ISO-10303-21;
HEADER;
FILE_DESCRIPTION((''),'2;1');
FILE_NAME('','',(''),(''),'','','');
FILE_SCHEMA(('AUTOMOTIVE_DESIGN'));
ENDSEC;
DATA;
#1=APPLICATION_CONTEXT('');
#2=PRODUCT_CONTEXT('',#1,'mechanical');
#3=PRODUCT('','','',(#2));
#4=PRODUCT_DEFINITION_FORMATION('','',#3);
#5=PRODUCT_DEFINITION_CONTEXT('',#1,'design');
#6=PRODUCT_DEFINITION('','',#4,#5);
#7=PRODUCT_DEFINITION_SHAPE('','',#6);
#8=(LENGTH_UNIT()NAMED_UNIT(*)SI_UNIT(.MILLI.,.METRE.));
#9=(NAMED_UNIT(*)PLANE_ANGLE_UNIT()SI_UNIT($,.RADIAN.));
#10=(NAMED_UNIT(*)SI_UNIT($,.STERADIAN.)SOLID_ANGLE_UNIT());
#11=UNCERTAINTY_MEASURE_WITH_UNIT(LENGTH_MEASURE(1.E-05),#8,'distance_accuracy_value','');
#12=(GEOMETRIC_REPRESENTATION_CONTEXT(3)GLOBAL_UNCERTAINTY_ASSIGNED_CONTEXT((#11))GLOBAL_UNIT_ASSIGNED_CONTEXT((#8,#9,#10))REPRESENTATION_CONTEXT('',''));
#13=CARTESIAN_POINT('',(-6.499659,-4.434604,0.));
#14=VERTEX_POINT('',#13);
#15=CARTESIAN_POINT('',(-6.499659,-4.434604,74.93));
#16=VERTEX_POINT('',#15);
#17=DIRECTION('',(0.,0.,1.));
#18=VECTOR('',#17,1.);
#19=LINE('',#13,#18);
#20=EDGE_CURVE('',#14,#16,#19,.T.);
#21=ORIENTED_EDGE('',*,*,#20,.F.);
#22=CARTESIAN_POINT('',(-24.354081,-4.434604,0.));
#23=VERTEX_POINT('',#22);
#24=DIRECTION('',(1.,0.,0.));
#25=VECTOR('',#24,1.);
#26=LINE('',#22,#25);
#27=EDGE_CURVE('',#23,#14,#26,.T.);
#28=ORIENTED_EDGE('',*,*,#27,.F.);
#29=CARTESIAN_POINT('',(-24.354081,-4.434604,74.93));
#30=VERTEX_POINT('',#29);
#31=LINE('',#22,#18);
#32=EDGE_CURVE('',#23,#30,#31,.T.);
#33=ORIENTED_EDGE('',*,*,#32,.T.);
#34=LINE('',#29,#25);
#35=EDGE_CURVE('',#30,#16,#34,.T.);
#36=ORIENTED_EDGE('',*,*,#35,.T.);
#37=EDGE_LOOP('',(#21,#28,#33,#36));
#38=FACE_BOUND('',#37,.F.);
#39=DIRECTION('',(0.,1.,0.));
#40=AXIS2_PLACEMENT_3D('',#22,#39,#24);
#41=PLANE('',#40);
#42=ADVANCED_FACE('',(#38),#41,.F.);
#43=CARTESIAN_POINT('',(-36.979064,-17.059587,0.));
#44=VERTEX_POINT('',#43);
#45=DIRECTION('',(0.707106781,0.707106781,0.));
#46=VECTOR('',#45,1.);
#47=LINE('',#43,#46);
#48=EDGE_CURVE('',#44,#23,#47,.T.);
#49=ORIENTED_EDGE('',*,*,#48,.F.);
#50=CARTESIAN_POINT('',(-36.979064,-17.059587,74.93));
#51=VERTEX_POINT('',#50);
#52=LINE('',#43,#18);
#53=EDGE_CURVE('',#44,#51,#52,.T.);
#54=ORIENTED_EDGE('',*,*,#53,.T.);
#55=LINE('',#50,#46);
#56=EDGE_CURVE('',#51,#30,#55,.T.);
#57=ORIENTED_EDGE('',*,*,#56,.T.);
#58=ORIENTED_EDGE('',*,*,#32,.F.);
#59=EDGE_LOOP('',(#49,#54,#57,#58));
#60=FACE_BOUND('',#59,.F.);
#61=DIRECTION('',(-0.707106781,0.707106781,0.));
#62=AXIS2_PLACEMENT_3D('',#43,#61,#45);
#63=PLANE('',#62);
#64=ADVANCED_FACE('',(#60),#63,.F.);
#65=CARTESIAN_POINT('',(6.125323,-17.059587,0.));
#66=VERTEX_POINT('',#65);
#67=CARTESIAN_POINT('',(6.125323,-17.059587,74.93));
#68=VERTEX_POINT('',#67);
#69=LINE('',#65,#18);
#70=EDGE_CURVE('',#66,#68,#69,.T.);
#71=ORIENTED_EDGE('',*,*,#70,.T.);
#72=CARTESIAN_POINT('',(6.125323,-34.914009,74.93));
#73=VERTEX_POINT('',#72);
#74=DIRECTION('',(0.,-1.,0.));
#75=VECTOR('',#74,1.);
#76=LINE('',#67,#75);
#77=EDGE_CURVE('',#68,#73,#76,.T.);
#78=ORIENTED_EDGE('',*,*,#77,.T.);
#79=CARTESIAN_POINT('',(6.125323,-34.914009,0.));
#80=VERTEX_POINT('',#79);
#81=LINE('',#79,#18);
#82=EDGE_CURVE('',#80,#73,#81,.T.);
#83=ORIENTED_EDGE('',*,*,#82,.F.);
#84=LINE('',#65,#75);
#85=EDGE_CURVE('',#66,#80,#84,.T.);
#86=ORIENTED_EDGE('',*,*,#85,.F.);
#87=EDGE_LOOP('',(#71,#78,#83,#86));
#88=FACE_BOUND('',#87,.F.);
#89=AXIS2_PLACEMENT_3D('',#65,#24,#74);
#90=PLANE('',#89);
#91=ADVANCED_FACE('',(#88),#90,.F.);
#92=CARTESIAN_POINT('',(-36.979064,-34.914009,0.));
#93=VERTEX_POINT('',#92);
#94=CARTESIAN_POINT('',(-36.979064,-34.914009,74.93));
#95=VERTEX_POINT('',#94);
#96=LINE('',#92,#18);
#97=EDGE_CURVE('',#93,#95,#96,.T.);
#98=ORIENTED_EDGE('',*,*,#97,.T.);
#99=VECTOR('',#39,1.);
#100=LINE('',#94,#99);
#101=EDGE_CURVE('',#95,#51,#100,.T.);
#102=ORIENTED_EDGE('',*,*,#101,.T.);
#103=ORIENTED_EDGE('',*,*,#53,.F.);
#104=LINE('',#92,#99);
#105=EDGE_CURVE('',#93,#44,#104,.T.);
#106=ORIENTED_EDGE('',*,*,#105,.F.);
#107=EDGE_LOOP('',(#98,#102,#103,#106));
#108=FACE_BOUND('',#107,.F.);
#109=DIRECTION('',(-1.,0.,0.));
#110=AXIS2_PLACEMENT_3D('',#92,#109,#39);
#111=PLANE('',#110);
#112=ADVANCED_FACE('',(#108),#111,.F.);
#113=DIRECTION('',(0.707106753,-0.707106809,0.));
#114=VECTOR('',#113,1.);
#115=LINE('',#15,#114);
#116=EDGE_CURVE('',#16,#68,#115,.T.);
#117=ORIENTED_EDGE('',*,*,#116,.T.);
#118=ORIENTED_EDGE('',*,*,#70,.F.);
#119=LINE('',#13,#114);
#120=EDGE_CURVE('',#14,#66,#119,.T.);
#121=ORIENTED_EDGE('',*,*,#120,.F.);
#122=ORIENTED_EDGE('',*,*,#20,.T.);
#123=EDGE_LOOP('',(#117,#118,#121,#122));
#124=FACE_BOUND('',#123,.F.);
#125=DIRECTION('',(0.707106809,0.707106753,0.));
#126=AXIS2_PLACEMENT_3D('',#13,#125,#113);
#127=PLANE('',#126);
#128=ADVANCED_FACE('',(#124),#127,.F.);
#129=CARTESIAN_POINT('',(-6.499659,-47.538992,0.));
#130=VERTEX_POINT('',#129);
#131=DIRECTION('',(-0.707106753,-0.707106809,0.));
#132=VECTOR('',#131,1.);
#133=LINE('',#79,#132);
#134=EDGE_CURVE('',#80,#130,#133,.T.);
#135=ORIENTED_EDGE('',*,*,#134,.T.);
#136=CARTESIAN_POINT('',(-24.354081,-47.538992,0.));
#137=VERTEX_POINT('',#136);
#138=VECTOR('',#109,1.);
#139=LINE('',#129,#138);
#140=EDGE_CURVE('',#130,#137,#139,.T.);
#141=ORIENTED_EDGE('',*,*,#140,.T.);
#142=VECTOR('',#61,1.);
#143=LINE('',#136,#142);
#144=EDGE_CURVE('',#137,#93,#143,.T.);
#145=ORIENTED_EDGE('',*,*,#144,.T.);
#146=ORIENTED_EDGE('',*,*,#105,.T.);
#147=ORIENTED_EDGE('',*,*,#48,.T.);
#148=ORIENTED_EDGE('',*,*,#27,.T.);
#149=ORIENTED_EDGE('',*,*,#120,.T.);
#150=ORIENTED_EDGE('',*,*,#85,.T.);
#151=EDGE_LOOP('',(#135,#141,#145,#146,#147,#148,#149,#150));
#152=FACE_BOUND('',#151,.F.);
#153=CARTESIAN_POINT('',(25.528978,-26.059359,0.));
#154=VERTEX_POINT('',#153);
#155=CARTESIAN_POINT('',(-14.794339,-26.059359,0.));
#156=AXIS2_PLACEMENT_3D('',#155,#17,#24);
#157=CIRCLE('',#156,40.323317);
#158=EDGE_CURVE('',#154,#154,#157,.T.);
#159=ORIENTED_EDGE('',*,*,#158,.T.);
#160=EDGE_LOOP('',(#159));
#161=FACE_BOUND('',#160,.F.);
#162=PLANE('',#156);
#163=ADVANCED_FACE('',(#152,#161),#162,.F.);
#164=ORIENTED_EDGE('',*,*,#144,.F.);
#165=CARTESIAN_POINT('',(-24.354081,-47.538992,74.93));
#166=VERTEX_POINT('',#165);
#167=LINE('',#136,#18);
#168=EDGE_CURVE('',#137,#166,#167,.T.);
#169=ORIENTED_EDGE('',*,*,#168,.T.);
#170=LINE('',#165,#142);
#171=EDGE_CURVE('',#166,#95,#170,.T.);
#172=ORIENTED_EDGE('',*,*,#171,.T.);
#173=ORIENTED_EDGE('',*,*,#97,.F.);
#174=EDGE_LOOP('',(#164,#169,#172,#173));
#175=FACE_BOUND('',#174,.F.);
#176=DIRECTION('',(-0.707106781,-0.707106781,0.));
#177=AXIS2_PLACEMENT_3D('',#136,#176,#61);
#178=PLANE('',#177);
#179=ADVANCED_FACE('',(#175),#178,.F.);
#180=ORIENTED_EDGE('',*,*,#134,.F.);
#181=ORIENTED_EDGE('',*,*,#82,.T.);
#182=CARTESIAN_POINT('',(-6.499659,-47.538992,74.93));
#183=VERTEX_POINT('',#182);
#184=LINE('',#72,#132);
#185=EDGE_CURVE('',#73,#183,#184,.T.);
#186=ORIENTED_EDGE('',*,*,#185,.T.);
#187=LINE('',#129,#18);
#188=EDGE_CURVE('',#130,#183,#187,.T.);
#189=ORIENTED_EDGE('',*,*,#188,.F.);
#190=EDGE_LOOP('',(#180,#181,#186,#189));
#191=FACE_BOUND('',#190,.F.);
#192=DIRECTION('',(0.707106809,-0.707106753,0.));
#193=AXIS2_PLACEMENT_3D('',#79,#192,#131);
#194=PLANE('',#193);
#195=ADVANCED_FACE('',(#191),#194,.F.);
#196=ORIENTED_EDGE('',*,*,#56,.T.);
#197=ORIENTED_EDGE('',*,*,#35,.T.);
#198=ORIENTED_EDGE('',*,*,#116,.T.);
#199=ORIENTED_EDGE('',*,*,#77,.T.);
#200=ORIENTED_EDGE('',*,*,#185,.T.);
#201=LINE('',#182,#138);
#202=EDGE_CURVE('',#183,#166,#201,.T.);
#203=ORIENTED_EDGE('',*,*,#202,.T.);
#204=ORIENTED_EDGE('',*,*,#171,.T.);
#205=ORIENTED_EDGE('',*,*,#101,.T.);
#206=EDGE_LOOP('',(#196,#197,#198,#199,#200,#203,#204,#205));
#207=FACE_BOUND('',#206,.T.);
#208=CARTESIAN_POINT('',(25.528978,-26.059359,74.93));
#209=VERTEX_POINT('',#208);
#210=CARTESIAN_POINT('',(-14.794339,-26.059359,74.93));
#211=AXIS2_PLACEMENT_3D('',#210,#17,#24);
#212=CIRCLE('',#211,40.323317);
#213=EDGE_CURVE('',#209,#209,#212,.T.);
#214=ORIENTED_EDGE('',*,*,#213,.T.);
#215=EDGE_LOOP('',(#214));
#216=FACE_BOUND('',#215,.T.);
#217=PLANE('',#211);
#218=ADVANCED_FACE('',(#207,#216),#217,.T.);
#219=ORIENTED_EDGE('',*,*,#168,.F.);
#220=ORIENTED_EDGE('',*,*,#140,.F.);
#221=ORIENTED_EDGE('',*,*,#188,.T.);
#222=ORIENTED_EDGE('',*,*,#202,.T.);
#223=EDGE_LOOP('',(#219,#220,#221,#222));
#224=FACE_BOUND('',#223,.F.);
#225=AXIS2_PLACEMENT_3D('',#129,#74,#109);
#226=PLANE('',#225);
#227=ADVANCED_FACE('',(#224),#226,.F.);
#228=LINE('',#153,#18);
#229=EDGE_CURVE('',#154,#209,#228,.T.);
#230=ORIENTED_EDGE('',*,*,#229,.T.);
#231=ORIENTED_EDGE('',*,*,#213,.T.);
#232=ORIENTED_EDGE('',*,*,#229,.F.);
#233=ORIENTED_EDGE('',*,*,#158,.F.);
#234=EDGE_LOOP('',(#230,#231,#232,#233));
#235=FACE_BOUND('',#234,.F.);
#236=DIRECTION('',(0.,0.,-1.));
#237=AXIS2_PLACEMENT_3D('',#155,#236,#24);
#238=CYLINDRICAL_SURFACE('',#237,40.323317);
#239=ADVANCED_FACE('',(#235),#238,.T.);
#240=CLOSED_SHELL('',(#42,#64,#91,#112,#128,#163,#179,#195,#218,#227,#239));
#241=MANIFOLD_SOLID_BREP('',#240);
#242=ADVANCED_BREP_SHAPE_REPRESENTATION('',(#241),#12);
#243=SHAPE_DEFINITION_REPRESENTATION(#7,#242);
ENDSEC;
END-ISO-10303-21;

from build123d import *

# Parameters (mm, degrees)
F1_R     = 40.323317
F2_DEPTH = 74.93


with BuildPart() as f2:
    # F1 (on face) → F2 (new body)
    with BuildSketch(Plane.XY):
        with Locations((-14.794339, -26.059359)):
            Circle(F1_R)
        Polygon((-24.354081, -47.538992), (-36.979064, -34.914009), (-36.979064, -17.059587), (-24.354081, -4.434604), (-6.499659, -4.434604), (6.125323, -17.059587), (6.125323, -34.914009), (-6.499659, -47.538992), align=None, mode=Mode.SUBTRACT)
    extrude(amount=F2_DEPTH)


solid = f2.part
